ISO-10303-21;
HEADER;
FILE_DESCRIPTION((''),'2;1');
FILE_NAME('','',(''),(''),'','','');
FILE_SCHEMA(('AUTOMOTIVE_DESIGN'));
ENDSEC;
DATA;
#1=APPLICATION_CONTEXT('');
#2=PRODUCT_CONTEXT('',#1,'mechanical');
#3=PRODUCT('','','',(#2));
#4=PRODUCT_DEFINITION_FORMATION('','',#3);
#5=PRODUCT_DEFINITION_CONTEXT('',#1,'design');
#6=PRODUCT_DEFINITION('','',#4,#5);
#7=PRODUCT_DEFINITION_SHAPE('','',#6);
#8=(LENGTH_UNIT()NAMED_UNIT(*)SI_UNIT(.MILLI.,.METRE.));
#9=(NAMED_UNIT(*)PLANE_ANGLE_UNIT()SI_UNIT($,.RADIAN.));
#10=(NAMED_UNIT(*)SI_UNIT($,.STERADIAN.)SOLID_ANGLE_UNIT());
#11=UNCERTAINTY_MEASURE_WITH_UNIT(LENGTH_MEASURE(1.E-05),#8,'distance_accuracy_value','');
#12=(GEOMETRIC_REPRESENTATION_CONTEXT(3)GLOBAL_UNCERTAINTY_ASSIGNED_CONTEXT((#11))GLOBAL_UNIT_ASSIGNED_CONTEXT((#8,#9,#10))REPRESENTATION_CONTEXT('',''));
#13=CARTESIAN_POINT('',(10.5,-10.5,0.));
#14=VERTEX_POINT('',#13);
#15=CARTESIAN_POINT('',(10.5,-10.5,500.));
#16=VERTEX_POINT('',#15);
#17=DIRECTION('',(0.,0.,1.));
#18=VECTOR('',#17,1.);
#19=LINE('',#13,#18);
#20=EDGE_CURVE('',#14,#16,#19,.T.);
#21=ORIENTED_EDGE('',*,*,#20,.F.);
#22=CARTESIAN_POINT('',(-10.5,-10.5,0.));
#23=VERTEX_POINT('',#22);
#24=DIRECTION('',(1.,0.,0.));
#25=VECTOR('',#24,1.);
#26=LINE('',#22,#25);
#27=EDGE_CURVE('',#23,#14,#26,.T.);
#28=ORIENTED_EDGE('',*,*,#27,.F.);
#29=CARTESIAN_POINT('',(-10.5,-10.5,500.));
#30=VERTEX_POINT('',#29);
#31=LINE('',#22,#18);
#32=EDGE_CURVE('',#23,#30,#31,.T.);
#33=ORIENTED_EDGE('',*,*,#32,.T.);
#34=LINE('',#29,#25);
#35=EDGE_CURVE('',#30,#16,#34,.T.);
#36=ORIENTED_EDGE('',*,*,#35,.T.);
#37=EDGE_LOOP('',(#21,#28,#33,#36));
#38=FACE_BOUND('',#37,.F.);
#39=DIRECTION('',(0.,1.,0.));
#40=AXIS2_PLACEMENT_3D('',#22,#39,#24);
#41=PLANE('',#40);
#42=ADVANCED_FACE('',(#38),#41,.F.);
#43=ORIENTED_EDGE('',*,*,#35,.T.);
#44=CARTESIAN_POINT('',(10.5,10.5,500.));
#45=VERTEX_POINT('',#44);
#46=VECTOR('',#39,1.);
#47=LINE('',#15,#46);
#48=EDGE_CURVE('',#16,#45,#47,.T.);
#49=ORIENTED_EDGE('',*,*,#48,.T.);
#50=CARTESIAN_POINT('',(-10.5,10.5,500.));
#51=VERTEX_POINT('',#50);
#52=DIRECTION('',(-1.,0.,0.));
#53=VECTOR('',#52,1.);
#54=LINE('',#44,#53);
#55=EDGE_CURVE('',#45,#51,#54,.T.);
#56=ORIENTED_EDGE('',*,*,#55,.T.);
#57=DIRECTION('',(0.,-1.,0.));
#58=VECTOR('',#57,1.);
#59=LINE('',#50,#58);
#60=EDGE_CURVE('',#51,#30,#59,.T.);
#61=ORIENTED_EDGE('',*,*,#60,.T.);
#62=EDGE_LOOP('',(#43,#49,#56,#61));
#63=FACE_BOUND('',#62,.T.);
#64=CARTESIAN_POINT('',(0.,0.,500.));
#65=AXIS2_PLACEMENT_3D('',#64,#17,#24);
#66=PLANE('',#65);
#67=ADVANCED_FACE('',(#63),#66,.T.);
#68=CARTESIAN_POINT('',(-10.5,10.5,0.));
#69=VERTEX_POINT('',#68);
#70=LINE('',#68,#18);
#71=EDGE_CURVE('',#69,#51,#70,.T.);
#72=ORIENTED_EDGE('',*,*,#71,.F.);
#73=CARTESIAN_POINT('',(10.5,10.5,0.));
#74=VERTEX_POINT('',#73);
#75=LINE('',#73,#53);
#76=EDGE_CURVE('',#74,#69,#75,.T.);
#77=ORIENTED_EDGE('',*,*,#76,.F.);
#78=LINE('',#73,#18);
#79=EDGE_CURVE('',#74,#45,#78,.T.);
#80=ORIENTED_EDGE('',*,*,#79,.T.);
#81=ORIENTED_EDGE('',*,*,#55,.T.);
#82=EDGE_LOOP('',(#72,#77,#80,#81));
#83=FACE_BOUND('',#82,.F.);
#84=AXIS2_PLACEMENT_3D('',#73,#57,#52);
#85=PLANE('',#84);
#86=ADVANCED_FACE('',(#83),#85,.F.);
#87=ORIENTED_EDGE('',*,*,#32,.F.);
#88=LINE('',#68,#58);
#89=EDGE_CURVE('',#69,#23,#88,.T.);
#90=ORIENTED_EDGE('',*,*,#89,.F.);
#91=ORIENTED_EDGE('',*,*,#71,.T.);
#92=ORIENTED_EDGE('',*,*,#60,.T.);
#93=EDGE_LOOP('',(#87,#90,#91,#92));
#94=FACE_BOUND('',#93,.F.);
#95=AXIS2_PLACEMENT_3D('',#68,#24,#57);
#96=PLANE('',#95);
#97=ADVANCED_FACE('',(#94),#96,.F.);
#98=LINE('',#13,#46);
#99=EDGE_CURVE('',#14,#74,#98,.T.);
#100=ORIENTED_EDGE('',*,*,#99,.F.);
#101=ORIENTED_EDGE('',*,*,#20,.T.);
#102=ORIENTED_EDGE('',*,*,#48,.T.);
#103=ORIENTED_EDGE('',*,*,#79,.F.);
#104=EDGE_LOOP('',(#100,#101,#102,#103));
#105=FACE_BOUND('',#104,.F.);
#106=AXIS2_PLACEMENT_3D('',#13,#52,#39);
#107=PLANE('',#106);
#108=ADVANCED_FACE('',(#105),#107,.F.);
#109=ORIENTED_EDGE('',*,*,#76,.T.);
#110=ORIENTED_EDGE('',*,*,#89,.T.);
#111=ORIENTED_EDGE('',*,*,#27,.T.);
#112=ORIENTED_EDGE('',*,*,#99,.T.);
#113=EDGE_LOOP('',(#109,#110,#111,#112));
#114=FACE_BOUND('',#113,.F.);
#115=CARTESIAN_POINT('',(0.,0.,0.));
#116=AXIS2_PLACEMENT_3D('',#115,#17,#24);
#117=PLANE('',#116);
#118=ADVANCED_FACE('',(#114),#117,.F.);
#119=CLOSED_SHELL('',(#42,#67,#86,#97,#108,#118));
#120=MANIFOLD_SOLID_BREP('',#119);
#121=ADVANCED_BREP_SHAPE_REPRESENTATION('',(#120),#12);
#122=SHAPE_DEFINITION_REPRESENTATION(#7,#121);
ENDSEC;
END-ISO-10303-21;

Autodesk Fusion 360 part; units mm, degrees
sketch "Sketch1" plane through (0, 0, 0) normal (0, 0, 1) x (1, 0, 0)
  line L0 (-10.5, -10.5) -> (10.5, -10.5)
  line L1 (10.5, -10.5) -> (10.5, 10.5)
  line L2 (10.5, 10.5) -> (-10.5, 10.5)
  line L3 (-10.5, 10.5) -> (-10.5, -10.5)
extrude "Extrude1" add sketch "Sketch1" along normal blind 500
